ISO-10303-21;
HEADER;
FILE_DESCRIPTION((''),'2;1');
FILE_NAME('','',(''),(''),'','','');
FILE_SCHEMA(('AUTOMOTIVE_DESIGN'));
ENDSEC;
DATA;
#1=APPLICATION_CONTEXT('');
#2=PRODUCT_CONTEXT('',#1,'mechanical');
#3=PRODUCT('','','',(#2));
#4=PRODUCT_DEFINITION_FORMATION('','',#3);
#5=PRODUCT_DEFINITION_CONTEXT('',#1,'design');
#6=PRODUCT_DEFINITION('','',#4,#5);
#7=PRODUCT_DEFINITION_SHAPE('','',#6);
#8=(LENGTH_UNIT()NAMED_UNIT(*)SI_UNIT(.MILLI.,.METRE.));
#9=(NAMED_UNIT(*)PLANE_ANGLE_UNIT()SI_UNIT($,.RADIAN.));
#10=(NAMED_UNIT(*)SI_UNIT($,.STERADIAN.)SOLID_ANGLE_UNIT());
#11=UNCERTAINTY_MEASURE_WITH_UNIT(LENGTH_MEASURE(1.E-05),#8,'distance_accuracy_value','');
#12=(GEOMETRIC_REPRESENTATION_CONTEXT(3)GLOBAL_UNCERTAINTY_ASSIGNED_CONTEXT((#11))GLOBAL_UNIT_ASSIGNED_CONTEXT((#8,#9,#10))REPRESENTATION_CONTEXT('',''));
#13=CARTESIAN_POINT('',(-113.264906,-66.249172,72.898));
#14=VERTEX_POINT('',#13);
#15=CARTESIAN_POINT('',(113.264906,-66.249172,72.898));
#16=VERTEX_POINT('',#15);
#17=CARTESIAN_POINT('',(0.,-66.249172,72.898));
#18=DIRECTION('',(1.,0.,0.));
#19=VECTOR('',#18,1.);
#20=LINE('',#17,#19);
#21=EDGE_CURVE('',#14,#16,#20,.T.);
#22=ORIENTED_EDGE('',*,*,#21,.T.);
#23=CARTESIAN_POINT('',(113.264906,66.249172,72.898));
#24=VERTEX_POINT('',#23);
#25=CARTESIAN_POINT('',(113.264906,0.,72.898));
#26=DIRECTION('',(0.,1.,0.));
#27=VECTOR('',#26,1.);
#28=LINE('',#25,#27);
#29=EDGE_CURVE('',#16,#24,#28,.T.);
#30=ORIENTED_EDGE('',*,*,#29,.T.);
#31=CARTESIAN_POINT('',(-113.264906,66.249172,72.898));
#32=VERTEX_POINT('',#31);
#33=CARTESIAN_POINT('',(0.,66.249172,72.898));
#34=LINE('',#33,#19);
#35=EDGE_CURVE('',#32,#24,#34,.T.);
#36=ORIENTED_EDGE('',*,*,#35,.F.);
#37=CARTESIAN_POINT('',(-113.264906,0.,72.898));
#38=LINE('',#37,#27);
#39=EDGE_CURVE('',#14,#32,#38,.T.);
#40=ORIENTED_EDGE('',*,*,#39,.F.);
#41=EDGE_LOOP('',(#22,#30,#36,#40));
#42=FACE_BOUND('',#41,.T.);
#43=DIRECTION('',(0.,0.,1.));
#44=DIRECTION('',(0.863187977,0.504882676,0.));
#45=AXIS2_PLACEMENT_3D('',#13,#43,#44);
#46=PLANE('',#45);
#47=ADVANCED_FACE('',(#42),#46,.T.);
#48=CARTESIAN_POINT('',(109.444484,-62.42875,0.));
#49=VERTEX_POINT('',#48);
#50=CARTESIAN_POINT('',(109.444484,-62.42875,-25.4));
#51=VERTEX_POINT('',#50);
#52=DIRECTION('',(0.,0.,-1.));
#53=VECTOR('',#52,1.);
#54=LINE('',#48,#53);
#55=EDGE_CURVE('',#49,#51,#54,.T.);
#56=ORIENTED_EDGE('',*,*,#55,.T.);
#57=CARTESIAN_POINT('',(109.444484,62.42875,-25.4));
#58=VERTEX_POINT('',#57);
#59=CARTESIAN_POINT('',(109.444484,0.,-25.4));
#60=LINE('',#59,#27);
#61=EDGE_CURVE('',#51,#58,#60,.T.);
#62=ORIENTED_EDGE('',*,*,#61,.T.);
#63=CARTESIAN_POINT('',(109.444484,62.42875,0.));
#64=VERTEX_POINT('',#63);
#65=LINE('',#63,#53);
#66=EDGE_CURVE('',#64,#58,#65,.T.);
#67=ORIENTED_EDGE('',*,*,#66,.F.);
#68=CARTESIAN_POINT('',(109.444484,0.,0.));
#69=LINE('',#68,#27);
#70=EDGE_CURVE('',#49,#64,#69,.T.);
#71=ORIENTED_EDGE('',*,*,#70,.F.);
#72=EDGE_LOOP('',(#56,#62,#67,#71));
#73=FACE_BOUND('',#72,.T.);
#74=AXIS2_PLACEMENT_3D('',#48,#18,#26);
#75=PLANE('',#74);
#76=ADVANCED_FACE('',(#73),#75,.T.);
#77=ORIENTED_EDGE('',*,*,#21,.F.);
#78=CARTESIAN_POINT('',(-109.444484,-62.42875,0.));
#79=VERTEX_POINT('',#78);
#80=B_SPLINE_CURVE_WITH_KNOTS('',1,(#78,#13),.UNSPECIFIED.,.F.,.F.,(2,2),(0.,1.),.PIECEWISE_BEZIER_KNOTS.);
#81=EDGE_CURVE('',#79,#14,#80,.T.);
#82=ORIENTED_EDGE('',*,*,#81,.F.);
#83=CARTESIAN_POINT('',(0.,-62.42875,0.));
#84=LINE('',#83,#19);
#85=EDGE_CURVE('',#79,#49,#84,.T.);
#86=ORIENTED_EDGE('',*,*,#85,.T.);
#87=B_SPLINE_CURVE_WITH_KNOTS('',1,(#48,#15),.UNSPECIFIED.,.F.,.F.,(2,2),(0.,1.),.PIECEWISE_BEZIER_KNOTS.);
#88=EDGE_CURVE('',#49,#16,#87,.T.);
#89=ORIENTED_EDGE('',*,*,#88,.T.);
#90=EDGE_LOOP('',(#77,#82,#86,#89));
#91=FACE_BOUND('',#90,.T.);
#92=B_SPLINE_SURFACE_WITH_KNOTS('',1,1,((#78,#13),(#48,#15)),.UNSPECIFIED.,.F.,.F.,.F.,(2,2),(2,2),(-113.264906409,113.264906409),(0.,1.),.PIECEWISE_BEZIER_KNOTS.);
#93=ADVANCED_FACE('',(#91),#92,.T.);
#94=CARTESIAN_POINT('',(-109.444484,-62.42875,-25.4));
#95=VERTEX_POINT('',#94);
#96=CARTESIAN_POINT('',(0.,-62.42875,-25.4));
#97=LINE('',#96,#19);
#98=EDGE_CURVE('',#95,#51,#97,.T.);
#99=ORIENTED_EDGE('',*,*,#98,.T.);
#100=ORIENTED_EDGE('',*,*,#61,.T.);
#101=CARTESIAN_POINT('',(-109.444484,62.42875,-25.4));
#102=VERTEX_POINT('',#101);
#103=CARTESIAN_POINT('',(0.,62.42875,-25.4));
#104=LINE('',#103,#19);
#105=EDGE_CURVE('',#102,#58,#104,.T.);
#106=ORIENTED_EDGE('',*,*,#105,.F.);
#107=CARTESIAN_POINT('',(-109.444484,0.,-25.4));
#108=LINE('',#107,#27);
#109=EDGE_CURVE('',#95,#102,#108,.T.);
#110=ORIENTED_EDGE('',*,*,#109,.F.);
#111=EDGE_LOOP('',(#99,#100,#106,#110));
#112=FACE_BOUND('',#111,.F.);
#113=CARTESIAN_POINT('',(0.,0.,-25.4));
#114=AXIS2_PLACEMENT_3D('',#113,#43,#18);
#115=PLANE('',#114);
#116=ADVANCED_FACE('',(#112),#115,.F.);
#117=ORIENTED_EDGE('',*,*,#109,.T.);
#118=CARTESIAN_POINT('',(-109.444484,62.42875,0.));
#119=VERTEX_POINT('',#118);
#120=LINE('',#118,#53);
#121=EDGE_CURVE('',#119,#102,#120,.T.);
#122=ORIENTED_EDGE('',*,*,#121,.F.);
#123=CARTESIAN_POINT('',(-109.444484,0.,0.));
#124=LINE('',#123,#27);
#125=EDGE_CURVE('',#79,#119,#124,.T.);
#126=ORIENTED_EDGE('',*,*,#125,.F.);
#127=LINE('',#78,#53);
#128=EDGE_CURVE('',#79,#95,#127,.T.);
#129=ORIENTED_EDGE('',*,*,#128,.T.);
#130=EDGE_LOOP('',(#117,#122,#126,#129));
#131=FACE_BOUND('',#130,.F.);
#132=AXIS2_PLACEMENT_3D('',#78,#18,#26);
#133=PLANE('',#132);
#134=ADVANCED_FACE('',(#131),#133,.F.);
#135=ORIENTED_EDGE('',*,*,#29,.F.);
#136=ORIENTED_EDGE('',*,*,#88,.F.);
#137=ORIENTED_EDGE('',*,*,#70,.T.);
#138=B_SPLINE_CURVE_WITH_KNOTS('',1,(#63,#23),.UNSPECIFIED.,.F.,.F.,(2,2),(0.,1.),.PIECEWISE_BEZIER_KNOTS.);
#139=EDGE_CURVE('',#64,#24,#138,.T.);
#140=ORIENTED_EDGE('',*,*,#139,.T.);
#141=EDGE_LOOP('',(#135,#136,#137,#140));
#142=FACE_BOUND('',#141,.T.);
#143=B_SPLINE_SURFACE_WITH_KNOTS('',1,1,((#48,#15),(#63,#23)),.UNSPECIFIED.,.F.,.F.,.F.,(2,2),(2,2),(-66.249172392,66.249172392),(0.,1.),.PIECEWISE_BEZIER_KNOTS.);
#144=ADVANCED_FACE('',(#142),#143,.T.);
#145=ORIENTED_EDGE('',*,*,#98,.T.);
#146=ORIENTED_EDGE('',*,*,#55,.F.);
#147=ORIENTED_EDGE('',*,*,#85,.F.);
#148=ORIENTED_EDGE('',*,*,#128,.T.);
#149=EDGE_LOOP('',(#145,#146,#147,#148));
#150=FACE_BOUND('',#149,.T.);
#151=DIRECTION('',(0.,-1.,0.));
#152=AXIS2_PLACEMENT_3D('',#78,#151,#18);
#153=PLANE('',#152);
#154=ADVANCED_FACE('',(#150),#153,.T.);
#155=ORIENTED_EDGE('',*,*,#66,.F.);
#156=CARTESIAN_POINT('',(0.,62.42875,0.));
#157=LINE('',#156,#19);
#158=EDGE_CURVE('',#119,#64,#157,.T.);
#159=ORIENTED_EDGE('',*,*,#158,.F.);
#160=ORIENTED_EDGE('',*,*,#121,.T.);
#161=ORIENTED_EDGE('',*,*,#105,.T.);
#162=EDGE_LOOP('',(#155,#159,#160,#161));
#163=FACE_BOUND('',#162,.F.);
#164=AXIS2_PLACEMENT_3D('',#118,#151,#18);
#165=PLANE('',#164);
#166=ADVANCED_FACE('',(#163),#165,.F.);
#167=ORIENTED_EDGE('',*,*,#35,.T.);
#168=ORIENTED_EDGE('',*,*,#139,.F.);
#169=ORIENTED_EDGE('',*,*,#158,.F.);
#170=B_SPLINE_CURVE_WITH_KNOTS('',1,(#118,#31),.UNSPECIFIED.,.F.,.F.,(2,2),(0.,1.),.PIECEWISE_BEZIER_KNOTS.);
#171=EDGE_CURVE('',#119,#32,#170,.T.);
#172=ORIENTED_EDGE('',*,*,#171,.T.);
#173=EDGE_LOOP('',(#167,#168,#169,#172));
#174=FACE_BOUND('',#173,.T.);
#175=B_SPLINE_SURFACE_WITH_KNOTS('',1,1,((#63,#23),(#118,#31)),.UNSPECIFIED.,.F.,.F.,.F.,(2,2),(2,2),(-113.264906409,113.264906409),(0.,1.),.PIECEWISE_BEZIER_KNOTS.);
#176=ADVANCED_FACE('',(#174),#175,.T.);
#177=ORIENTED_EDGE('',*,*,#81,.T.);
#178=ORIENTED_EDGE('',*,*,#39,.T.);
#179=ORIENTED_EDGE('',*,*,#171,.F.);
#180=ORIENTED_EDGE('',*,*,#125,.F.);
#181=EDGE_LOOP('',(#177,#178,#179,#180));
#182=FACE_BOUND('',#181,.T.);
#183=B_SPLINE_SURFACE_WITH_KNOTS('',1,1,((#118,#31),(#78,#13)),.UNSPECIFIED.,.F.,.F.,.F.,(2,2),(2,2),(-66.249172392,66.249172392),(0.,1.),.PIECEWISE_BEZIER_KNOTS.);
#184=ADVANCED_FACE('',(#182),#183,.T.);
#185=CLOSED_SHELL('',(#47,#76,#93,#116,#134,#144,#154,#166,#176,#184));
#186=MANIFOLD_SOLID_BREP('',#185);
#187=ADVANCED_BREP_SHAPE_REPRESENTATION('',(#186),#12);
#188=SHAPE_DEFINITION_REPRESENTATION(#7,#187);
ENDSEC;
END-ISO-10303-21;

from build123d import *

# Parameters (mm, degrees)
F0_W          = 218.8889682293
F0_H          = 124.8575001955
F1_DEPTH      = 72.898
F1_TAPER      = -3
F1_DEPTH_BACK = 25.4


with BuildPart() as f1:
    # F0 (on Top) → F1 (new body, two sides)
    with BuildSketch(Plane.XY) as f1_sk:
        Rectangle(F0_W, F0_H)
    extrude(amount=F1_DEPTH, taper=F1_TAPER)
    extrude(f1_sk.sketch, amount=-F1_DEPTH_BACK)


solid = f1.part
